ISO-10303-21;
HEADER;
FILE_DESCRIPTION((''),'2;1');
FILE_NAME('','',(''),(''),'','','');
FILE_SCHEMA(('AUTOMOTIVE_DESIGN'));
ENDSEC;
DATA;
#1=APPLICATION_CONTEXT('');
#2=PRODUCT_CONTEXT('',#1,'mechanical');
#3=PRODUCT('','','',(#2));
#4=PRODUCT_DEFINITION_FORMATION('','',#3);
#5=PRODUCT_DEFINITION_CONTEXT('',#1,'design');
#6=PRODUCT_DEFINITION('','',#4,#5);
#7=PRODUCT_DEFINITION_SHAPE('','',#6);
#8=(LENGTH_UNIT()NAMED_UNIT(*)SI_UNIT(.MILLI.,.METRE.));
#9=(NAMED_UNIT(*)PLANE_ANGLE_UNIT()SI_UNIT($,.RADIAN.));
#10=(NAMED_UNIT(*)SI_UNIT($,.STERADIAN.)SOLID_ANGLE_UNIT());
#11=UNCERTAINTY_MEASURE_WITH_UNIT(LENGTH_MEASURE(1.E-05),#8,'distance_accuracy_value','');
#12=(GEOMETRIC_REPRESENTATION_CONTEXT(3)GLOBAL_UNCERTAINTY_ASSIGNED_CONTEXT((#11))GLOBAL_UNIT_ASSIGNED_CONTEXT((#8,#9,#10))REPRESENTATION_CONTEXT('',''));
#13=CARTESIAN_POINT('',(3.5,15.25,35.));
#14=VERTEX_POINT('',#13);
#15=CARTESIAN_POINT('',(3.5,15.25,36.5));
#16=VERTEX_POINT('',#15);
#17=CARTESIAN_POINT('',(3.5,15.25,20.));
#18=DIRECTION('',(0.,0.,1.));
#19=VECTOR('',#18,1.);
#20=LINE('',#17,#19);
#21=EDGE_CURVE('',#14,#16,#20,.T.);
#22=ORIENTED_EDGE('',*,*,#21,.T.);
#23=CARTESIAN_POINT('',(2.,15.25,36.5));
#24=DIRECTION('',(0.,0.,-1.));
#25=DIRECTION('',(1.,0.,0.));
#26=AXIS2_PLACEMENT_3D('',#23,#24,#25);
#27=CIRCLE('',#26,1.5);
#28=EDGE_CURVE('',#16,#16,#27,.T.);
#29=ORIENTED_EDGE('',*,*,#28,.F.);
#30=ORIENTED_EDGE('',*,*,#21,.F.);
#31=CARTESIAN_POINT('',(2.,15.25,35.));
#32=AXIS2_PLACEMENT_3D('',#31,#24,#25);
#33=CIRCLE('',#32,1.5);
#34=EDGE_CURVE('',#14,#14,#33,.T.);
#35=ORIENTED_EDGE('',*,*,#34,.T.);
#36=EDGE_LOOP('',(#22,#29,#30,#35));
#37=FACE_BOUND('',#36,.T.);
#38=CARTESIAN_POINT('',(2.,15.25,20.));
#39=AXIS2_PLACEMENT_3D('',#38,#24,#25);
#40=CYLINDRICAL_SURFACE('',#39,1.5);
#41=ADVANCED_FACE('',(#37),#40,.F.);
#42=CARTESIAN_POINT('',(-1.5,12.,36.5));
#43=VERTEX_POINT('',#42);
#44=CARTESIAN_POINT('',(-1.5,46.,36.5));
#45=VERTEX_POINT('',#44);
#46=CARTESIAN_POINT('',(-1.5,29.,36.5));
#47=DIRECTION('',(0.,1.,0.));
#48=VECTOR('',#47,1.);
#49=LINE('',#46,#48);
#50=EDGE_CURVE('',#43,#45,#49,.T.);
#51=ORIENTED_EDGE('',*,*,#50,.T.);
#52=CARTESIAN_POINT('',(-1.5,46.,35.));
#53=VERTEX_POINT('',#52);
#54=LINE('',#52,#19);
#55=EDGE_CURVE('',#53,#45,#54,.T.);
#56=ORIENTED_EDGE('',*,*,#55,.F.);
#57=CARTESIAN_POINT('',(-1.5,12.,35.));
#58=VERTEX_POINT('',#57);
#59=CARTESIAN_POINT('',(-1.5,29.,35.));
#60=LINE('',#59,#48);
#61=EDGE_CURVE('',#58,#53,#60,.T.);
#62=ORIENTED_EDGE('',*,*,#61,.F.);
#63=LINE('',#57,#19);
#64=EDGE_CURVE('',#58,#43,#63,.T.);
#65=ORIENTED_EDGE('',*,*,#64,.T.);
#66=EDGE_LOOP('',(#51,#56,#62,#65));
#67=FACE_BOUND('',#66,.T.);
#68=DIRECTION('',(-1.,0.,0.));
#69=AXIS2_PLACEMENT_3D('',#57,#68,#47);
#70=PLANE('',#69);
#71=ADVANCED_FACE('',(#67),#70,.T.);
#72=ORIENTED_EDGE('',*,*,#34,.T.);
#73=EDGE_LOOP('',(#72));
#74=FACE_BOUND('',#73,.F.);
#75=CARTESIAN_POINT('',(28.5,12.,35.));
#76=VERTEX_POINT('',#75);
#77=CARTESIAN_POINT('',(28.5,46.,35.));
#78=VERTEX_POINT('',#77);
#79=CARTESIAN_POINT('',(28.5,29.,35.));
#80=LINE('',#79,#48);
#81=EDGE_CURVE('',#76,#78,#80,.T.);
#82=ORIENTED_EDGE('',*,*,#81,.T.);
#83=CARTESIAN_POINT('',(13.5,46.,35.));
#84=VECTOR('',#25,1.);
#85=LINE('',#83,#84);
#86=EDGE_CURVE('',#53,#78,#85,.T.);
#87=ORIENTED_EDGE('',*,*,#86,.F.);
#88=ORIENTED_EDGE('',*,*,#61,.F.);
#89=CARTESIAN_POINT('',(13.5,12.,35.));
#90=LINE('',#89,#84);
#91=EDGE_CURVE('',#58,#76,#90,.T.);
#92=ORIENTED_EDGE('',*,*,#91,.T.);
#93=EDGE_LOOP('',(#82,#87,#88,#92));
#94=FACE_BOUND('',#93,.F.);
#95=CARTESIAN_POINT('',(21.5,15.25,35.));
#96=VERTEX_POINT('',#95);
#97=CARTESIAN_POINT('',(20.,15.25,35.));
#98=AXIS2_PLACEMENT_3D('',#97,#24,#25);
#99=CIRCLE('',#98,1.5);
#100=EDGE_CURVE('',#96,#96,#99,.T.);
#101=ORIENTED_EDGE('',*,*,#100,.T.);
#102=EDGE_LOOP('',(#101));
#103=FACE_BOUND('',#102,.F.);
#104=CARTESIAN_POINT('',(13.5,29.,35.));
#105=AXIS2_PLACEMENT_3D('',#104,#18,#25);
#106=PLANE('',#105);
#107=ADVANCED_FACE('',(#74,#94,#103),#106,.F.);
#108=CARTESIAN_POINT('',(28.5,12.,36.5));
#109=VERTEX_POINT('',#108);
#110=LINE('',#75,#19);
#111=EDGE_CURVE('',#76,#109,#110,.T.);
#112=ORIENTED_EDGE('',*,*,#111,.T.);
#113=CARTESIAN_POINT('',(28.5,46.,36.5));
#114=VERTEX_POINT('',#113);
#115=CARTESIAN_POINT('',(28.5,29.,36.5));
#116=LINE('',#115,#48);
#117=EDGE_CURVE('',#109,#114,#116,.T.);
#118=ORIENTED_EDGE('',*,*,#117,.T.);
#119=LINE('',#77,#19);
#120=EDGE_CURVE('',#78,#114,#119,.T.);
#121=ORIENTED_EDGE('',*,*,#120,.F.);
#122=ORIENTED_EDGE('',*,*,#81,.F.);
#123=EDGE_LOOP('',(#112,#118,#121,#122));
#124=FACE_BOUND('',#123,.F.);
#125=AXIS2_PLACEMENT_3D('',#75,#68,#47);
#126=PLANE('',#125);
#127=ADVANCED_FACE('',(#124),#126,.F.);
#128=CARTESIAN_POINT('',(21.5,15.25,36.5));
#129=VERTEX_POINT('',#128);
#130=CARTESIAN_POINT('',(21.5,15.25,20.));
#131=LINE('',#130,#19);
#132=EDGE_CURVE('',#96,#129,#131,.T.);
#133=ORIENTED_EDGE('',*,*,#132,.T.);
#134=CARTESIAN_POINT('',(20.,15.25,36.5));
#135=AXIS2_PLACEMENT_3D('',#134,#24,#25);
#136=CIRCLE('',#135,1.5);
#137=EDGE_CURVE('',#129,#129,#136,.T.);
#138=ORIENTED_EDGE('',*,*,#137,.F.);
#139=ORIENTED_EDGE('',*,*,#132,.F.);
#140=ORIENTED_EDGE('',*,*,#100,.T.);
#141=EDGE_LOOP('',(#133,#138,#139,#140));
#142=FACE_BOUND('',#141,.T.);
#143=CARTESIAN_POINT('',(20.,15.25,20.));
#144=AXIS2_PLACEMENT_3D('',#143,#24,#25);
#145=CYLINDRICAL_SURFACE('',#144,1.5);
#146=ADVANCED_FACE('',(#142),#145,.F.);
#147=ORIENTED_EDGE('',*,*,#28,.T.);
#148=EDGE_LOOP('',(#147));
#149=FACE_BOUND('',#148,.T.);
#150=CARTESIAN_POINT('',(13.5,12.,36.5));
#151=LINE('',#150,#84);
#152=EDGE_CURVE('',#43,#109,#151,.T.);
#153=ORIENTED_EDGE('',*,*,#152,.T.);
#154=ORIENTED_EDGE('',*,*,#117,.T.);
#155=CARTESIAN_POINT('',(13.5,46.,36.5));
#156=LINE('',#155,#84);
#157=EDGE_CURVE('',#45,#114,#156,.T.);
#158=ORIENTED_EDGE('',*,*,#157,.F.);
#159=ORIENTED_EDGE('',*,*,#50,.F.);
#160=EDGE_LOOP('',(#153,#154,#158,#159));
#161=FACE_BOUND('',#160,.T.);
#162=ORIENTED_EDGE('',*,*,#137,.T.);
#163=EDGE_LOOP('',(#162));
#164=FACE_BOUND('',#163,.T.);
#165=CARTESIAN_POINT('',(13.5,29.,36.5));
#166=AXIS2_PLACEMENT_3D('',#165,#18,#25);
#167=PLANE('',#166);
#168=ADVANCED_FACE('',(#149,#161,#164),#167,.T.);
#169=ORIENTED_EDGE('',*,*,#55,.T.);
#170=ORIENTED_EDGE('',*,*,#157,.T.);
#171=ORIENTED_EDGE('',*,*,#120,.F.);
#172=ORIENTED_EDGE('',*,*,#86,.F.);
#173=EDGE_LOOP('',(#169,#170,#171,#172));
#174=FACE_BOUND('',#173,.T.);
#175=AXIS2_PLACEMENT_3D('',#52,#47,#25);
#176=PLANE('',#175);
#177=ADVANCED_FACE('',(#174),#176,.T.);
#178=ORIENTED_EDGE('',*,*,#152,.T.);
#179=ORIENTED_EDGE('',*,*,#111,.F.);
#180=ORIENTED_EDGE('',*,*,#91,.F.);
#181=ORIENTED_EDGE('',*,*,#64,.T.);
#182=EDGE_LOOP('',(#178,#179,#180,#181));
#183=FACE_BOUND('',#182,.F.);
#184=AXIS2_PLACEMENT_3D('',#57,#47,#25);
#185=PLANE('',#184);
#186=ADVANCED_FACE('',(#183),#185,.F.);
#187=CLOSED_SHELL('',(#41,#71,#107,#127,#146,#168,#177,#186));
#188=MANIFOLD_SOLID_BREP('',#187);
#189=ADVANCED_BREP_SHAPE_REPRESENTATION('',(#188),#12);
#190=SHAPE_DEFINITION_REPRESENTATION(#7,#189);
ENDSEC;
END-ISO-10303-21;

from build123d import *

# Parameters (mm, degrees)
CYLINDER016_R     = 1.5
CYLINDER016_DEPTH = 20
CYLINDER017_R     = 1.5
CYLINDER017_DEPTH = 20
BOX006_W          = 30
BOX006_H          = 34
BOX006_DEPTH      = 1.5


with BuildPart() as cylinder016:
    # Cylinder016 → Cylinder016 (new body)
    with BuildSketch(Plane(origin=(2, 15.25, 20), x_dir=(1, 0, 0), z_dir=(0, 0, 1))):
        Circle(CYLINDER016_R)
    extrude(amount=CYLINDER016_DEPTH)


with BuildPart() as fusion004:
    # Cylinder017 → Cylinder017 (new body)
    with BuildSketch(Plane(origin=(20, 15.25, 20), x_dir=(1, 0, 0), z_dir=(0, 0, 1))):
        Circle(CYLINDER017_R)
    extrude(amount=CYLINDER017_DEPTH)

    # Fusion004: union Cylinder016
    add(cylinder016.part)


with BuildPart() as sup_gps_b:
    # Box006 → Box006 (new body)
    with BuildSketch(Plane(origin=(-1.5, 12, 35), x_dir=(1, 0, 0), z_dir=(0, 0, 1))):
        with Locations((15, 17)):
            Rectangle(BOX006_W, BOX006_H)
    extrude(amount=BOX006_DEPTH)

    # Cut004: cut Fusion004
    add(fusion004.part, mode=Mode.SUBTRACT)


solid = sup_gps_b.part
